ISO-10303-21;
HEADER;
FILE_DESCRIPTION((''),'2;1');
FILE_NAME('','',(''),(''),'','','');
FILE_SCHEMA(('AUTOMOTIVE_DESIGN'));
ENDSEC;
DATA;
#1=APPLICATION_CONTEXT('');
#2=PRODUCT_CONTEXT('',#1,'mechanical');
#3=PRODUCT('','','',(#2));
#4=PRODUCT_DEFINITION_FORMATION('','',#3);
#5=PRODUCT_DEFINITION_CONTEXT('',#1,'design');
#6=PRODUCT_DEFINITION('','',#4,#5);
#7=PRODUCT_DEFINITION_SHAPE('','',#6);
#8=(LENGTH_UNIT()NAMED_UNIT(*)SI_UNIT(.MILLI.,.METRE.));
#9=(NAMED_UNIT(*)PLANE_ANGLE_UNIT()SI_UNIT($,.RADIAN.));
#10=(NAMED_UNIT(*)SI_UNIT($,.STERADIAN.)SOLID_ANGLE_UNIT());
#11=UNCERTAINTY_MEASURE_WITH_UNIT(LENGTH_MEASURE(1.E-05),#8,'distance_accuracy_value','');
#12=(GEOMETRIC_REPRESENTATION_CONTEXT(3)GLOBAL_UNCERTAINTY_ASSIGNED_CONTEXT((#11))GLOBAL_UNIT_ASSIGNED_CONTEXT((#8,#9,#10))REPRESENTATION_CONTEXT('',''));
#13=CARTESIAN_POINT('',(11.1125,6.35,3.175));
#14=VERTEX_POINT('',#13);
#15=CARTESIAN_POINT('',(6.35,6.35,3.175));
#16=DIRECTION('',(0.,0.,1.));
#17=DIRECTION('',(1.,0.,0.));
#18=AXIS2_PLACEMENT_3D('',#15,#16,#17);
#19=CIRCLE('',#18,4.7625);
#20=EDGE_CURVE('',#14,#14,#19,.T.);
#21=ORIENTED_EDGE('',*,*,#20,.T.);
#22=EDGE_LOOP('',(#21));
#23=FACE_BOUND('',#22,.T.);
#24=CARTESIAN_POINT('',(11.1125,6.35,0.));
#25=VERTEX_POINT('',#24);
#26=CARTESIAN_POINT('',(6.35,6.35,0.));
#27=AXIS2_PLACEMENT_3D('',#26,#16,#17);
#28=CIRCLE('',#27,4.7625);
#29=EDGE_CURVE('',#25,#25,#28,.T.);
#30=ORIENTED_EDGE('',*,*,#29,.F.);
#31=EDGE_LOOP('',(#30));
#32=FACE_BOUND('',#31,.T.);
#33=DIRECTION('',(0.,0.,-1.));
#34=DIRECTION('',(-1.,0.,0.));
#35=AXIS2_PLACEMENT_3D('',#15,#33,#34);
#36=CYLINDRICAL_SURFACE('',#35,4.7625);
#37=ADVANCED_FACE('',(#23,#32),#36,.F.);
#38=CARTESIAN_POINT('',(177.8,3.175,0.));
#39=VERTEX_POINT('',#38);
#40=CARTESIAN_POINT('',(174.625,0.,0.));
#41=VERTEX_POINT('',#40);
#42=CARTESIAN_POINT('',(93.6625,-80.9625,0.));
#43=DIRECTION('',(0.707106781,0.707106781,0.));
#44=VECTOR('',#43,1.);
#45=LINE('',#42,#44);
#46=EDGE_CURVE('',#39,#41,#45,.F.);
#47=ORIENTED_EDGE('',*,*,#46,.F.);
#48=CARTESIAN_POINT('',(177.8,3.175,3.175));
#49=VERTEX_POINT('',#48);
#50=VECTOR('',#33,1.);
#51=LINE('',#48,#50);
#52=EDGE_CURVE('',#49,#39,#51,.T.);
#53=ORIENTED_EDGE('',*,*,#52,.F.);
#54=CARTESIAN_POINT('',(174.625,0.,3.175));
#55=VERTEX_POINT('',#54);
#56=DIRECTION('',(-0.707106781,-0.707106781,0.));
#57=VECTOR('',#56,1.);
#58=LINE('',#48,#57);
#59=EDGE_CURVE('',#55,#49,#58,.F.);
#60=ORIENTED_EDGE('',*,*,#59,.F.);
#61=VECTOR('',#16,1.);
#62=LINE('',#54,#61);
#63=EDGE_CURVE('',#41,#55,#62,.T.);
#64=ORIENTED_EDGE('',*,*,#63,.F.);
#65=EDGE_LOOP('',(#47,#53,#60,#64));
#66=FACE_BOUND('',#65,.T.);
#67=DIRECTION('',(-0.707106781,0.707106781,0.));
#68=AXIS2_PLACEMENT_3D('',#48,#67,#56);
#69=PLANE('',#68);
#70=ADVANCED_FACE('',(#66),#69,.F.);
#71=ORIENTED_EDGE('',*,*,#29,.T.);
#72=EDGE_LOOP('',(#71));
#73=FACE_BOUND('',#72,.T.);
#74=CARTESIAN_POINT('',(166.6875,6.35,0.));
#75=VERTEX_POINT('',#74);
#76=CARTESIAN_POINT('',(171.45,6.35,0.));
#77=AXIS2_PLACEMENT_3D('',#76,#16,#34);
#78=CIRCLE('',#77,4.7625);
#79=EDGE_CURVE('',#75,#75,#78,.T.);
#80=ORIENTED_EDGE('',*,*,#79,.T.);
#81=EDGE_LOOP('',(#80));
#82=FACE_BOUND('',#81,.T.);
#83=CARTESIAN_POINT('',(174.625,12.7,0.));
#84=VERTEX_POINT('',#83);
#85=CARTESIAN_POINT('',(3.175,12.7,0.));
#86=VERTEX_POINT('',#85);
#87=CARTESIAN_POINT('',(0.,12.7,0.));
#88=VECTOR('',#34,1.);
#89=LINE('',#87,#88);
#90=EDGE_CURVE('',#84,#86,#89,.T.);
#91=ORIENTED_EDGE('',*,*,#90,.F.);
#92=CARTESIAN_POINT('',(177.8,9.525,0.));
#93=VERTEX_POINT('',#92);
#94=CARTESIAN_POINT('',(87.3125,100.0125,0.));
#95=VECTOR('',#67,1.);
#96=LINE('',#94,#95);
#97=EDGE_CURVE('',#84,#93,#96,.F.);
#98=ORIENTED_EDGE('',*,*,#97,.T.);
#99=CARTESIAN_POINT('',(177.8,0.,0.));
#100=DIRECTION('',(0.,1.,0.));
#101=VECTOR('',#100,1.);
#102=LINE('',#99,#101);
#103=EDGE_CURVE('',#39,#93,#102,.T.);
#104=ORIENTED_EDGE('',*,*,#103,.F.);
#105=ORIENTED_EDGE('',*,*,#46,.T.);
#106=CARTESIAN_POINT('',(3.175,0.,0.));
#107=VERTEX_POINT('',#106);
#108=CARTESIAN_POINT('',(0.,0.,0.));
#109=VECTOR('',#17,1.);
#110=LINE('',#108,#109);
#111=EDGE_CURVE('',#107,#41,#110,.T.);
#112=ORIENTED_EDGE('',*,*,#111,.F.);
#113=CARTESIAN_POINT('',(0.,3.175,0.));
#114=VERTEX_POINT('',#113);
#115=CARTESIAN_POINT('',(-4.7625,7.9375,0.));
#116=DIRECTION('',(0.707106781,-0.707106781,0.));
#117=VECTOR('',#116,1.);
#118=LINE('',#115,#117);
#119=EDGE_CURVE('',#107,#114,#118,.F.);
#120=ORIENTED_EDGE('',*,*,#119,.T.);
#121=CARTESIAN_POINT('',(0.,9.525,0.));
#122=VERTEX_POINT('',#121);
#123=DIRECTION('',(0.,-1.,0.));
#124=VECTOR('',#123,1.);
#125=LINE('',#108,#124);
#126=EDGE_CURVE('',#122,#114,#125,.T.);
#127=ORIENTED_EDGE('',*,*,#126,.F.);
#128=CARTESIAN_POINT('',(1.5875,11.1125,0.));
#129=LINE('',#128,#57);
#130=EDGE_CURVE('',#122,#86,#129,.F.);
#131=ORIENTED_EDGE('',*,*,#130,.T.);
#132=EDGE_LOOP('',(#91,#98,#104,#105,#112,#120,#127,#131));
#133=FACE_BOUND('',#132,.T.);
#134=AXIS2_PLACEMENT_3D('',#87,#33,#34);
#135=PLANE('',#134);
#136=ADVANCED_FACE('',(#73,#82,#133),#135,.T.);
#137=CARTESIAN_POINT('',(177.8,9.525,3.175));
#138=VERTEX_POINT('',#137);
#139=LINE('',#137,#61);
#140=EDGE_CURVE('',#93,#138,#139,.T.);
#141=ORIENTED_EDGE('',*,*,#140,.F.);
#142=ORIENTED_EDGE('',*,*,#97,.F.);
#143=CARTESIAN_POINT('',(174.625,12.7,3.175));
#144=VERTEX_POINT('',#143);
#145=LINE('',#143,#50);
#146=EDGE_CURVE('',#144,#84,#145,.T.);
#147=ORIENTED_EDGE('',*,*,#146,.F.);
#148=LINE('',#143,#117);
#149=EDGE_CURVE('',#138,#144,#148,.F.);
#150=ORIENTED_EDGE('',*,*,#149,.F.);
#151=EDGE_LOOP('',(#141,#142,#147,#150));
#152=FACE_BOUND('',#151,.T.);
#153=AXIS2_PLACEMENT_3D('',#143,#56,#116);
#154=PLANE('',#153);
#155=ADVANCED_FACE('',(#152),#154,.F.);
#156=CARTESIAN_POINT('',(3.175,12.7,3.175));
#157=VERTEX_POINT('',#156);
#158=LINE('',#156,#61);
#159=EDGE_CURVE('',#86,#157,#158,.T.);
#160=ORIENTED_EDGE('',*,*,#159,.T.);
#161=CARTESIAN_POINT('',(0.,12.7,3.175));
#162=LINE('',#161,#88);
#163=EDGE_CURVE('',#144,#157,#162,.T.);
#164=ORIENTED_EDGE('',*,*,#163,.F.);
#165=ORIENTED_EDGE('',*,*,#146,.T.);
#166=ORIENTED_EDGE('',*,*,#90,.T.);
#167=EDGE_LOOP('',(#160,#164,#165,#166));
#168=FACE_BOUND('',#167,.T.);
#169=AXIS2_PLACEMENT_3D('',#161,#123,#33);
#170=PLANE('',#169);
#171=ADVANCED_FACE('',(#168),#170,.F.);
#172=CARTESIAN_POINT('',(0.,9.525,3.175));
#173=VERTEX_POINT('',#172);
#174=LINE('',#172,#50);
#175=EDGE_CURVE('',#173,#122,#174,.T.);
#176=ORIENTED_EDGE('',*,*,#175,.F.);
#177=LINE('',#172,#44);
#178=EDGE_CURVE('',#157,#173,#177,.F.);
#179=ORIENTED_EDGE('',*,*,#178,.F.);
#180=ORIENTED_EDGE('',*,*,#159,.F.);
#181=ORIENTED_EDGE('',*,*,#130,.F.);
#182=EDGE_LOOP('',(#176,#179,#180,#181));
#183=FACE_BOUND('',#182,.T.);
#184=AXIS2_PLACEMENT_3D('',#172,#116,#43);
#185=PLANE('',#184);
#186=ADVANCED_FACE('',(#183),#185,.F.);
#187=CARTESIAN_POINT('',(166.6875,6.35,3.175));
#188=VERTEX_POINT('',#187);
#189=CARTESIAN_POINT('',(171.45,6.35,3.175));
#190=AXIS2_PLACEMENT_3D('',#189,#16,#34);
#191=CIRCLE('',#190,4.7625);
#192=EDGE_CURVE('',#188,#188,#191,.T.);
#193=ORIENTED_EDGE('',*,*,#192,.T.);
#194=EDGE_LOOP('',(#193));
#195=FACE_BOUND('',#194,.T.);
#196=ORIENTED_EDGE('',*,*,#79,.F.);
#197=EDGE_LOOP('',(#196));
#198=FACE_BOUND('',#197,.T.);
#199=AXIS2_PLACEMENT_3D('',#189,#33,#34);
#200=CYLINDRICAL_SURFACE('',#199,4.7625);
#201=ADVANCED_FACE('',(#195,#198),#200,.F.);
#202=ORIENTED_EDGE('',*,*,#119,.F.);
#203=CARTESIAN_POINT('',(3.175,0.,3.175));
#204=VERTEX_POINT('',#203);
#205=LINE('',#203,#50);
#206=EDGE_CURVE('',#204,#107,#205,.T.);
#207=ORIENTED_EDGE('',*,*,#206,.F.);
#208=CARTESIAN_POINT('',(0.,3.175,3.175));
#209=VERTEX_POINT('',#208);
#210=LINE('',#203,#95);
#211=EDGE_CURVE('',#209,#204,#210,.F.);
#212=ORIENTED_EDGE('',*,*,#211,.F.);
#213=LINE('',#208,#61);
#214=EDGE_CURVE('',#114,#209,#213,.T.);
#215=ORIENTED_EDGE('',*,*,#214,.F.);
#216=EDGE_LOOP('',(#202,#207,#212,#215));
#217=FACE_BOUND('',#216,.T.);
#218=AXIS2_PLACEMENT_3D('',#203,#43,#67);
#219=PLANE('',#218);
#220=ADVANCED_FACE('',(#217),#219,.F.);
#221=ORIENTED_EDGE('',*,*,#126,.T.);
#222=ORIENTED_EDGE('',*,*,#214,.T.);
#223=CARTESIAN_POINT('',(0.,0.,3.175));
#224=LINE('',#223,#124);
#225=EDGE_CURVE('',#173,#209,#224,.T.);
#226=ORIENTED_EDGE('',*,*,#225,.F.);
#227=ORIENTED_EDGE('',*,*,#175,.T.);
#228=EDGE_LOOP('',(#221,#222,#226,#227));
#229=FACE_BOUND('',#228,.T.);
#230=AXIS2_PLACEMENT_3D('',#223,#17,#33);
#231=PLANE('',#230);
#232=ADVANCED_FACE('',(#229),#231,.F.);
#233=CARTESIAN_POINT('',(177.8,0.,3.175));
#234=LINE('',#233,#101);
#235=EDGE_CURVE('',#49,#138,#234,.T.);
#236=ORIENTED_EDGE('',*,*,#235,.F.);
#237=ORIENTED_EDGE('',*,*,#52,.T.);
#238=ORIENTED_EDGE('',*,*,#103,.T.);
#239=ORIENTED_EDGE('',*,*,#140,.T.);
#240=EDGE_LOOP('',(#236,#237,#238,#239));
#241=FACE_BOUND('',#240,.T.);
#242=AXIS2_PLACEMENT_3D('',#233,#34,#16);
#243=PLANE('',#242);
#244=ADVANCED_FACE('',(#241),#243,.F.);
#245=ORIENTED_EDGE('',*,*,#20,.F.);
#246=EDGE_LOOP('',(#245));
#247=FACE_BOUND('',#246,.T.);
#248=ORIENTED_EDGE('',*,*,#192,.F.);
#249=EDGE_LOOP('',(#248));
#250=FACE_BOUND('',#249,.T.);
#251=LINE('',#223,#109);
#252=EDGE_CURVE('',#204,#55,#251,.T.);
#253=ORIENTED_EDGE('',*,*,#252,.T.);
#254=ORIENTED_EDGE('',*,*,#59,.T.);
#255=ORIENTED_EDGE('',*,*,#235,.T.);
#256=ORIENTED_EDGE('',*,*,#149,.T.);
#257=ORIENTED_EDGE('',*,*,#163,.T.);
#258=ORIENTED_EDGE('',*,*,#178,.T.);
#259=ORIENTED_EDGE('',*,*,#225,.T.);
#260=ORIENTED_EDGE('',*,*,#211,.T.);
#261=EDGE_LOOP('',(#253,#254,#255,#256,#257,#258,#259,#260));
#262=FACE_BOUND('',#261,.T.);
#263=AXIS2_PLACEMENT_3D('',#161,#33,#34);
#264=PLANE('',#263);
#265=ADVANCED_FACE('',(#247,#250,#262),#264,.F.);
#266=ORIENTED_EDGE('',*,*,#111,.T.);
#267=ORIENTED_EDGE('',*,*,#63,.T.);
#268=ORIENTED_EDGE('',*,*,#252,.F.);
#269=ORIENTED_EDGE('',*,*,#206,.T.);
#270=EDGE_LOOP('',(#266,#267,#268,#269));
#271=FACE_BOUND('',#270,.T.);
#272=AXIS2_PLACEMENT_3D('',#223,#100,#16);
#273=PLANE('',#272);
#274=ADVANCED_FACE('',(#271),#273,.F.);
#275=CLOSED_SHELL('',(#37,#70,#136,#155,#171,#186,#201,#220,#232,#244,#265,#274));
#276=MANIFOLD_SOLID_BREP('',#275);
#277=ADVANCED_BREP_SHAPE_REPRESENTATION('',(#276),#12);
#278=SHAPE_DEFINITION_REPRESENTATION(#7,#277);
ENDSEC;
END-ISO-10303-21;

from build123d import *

# Parameters (mm, degrees)
SKETCH1_W          = 177.8
SKETCH1_H          = 12.7
SKETCH1_R          = 4.7625
BASE_EXTRUDE_DEPTH = 3.175
CHAMFER1_SIZE      = 3.175


with BuildPart() as part:
    # Sketch1 → Base-Extrude (new body)
    with BuildSketch(Plane.XY):
        with Locations((88.9, 6.35)):
            Rectangle(SKETCH1_W, SKETCH1_H)
        with Locations((6.35, 6.35)):
            Circle(SKETCH1_R, mode=Mode.SUBTRACT)
        with Locations(Location((171.45, 6.35, 0), (0, 0, 180))):
            Circle(SKETCH1_R, mode=Mode.SUBTRACT)
    extrude(amount=BASE_EXTRUDE_DEPTH)

    # Chamfer1
    chamfer1_edges = [part.edges().sort_by_distance(p)[0] for p in [
        (0, 12.7, 1.5875),
        (177.8, 12.7, 1.5875),
        (177.8, 0, 1.5875),
        (0, 0, 1.5875),
    ]]
    chamfer(chamfer1_edges, length=CHAMFER1_SIZE)


solid = part.part
